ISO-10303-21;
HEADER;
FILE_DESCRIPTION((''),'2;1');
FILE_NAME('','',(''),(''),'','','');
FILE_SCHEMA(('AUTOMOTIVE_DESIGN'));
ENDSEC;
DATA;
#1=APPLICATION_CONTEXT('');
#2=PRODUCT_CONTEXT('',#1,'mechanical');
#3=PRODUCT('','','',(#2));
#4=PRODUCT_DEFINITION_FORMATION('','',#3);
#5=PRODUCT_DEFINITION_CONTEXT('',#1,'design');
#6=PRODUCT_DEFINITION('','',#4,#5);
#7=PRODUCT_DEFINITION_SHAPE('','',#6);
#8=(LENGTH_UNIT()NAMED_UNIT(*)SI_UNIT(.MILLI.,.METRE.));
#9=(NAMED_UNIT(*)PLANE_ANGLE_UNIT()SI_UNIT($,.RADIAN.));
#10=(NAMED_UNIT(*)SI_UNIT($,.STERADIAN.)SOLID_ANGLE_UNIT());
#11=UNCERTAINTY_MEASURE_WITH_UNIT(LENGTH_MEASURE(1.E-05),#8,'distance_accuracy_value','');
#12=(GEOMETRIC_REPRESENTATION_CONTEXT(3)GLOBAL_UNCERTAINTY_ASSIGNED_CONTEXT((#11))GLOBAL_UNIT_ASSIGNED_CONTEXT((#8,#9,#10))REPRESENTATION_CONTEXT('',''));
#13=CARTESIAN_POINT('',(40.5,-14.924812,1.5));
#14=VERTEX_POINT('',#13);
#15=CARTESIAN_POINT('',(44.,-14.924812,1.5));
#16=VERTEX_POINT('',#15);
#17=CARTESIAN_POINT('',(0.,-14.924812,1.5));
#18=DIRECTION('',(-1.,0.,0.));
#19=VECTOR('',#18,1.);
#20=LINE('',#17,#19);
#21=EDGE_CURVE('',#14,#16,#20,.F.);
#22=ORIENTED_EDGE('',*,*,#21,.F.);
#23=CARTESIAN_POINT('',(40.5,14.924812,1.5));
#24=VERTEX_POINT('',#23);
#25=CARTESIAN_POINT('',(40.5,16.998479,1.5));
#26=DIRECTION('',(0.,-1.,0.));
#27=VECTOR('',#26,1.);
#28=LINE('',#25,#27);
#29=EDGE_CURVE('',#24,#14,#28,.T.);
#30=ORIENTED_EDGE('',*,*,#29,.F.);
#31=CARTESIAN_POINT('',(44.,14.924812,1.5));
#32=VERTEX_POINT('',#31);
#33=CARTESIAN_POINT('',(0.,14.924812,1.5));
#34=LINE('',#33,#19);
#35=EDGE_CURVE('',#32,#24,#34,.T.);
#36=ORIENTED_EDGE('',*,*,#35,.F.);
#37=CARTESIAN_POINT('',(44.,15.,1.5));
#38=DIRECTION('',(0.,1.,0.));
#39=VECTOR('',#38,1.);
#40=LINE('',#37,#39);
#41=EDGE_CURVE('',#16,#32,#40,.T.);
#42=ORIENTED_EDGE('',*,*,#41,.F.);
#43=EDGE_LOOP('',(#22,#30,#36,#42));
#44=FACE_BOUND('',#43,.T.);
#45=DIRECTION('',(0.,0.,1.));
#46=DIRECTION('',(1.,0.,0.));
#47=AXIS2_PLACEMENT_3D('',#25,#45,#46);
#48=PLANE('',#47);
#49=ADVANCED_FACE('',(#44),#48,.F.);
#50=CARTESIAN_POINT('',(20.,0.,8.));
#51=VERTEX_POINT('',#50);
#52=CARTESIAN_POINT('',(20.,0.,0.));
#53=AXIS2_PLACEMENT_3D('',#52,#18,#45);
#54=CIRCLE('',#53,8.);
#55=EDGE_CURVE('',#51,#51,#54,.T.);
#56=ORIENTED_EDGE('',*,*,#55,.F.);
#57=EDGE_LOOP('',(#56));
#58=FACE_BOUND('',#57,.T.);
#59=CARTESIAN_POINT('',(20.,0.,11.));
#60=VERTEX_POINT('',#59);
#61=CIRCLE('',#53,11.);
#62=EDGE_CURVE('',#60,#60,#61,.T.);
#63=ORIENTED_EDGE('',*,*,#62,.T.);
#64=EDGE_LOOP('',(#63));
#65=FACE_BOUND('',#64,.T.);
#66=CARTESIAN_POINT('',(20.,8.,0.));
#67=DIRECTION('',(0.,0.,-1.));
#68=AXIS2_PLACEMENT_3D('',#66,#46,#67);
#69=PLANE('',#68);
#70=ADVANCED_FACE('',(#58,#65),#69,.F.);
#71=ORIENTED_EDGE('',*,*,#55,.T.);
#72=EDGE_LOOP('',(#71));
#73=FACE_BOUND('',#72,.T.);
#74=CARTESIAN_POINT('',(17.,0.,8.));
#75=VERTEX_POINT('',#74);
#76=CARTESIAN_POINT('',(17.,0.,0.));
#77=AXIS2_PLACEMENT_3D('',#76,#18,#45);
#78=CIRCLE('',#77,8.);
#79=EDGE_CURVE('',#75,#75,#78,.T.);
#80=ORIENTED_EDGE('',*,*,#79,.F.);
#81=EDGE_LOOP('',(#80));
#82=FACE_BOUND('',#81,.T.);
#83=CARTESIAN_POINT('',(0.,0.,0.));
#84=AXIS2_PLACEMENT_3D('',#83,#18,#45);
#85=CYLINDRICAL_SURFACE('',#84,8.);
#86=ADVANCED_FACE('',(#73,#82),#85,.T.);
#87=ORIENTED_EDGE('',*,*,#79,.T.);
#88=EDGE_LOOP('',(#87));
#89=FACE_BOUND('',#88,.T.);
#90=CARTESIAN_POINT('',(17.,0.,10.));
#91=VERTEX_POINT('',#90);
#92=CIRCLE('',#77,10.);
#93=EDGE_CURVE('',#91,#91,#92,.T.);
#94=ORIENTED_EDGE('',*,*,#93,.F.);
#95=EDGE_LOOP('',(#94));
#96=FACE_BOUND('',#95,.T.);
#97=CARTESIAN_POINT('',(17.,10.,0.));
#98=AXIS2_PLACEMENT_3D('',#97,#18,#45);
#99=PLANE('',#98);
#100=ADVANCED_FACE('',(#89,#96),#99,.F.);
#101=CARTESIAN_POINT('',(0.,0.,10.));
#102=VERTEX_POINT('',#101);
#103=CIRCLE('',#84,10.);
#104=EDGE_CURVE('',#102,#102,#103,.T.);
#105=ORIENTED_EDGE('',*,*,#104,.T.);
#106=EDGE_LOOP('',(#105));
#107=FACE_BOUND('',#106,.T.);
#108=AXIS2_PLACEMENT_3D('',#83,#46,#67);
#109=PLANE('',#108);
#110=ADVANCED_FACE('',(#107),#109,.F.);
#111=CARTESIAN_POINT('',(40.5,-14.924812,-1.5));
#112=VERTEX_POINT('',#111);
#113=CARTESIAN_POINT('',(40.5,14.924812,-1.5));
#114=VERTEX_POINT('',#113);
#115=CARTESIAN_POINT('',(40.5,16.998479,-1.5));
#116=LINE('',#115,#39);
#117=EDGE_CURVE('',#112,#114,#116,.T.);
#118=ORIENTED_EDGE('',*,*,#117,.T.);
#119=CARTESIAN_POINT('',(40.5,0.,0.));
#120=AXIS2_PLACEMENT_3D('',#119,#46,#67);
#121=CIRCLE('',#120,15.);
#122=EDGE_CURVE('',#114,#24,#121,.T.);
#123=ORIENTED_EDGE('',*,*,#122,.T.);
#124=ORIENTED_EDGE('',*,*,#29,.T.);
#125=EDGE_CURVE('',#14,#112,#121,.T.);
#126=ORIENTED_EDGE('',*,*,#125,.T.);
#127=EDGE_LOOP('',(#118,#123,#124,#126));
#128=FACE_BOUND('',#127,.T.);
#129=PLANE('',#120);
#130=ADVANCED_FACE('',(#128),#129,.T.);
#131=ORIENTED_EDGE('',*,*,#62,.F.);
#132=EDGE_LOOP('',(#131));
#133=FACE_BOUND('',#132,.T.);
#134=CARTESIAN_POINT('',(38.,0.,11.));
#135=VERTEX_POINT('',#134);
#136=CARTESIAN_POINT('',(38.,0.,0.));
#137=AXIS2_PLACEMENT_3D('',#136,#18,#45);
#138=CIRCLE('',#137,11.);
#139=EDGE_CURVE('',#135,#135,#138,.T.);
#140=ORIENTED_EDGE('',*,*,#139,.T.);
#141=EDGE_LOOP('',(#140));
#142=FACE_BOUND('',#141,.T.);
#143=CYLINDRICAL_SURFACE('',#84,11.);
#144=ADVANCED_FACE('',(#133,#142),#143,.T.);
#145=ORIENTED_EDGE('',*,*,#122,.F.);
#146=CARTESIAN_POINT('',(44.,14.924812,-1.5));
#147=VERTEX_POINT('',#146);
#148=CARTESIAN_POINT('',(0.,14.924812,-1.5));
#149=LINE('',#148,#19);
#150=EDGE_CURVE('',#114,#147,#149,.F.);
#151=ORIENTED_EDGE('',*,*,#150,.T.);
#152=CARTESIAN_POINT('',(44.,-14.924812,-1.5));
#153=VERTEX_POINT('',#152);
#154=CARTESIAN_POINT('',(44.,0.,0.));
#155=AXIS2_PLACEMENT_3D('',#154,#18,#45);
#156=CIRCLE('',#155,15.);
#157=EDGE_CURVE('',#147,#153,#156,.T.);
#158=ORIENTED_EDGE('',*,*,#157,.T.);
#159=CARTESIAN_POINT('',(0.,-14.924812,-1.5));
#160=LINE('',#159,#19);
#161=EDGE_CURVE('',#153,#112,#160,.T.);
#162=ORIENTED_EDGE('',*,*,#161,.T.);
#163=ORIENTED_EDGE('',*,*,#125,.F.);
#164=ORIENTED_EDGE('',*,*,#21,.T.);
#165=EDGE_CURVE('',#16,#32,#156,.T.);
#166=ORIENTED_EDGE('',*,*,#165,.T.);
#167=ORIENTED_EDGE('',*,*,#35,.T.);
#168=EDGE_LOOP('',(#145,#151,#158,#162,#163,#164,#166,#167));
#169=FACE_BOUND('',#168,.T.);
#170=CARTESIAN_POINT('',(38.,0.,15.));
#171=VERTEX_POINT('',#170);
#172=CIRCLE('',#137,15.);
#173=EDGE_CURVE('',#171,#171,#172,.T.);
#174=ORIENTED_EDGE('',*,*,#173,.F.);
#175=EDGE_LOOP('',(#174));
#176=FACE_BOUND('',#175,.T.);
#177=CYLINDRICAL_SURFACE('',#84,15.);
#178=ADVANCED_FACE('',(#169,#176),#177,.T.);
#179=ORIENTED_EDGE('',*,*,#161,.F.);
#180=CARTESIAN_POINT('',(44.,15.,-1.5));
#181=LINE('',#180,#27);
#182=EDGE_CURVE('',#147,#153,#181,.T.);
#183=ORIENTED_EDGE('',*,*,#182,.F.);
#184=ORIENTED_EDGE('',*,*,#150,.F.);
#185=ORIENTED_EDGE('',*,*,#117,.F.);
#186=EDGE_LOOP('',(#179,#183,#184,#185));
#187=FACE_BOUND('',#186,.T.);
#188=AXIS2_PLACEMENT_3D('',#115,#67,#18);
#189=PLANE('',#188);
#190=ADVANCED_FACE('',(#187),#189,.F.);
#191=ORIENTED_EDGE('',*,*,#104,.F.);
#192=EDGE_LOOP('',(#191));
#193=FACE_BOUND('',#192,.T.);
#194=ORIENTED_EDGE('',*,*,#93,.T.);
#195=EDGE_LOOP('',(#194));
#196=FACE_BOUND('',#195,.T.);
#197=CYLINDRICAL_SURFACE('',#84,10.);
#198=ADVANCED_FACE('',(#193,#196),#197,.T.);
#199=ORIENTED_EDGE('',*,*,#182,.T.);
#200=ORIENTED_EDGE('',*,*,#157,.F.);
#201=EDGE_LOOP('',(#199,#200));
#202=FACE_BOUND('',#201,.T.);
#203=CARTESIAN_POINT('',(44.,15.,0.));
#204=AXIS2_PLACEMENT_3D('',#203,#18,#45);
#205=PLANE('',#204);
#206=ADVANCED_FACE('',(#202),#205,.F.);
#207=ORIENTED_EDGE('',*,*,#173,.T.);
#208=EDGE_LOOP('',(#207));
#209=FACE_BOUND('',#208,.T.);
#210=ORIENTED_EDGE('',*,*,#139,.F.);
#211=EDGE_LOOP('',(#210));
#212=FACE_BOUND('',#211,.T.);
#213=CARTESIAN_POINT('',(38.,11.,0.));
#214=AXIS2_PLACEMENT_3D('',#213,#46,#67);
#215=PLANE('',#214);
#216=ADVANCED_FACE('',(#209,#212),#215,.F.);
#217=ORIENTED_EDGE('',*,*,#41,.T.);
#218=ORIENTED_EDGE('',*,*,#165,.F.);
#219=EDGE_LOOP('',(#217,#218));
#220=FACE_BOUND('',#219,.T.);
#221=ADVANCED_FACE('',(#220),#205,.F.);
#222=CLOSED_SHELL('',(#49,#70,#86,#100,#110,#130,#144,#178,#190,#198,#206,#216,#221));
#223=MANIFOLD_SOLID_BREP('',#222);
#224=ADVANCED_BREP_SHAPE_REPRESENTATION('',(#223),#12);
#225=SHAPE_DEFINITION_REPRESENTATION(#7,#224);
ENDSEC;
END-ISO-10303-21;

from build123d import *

# Parameters (mm, degrees)
SKETCH2_W          = 3
SKETCH2_H          = 33.9969588
CUT_EXTRUDE1_DEPTH = 3.5


with BuildPart() as part:
    # Sketch1 → Revolve1 (revolve)
    with BuildSketch(Plane.XY):
        Polygon((0, 0), (0, 10), (17, 10), (17, 8), (20, 8), (20, 11), (38, 11), (38, 15), (44, 15), (44, 0), align=None)
    revolve(axis=Axis((0, 0, 0), (1, 0, 0)))

    # Sketch2 → Cut-Extrude1 (cut)
    with BuildSketch(Plane(origin=(44, 0, 0), x_dir=(0, 0, -1), z_dir=(1, 0, 0))):
        Rectangle(SKETCH2_W, SKETCH2_H)
    extrude(amount=-CUT_EXTRUDE1_DEPTH, mode=Mode.SUBTRACT)


solid = part.part
